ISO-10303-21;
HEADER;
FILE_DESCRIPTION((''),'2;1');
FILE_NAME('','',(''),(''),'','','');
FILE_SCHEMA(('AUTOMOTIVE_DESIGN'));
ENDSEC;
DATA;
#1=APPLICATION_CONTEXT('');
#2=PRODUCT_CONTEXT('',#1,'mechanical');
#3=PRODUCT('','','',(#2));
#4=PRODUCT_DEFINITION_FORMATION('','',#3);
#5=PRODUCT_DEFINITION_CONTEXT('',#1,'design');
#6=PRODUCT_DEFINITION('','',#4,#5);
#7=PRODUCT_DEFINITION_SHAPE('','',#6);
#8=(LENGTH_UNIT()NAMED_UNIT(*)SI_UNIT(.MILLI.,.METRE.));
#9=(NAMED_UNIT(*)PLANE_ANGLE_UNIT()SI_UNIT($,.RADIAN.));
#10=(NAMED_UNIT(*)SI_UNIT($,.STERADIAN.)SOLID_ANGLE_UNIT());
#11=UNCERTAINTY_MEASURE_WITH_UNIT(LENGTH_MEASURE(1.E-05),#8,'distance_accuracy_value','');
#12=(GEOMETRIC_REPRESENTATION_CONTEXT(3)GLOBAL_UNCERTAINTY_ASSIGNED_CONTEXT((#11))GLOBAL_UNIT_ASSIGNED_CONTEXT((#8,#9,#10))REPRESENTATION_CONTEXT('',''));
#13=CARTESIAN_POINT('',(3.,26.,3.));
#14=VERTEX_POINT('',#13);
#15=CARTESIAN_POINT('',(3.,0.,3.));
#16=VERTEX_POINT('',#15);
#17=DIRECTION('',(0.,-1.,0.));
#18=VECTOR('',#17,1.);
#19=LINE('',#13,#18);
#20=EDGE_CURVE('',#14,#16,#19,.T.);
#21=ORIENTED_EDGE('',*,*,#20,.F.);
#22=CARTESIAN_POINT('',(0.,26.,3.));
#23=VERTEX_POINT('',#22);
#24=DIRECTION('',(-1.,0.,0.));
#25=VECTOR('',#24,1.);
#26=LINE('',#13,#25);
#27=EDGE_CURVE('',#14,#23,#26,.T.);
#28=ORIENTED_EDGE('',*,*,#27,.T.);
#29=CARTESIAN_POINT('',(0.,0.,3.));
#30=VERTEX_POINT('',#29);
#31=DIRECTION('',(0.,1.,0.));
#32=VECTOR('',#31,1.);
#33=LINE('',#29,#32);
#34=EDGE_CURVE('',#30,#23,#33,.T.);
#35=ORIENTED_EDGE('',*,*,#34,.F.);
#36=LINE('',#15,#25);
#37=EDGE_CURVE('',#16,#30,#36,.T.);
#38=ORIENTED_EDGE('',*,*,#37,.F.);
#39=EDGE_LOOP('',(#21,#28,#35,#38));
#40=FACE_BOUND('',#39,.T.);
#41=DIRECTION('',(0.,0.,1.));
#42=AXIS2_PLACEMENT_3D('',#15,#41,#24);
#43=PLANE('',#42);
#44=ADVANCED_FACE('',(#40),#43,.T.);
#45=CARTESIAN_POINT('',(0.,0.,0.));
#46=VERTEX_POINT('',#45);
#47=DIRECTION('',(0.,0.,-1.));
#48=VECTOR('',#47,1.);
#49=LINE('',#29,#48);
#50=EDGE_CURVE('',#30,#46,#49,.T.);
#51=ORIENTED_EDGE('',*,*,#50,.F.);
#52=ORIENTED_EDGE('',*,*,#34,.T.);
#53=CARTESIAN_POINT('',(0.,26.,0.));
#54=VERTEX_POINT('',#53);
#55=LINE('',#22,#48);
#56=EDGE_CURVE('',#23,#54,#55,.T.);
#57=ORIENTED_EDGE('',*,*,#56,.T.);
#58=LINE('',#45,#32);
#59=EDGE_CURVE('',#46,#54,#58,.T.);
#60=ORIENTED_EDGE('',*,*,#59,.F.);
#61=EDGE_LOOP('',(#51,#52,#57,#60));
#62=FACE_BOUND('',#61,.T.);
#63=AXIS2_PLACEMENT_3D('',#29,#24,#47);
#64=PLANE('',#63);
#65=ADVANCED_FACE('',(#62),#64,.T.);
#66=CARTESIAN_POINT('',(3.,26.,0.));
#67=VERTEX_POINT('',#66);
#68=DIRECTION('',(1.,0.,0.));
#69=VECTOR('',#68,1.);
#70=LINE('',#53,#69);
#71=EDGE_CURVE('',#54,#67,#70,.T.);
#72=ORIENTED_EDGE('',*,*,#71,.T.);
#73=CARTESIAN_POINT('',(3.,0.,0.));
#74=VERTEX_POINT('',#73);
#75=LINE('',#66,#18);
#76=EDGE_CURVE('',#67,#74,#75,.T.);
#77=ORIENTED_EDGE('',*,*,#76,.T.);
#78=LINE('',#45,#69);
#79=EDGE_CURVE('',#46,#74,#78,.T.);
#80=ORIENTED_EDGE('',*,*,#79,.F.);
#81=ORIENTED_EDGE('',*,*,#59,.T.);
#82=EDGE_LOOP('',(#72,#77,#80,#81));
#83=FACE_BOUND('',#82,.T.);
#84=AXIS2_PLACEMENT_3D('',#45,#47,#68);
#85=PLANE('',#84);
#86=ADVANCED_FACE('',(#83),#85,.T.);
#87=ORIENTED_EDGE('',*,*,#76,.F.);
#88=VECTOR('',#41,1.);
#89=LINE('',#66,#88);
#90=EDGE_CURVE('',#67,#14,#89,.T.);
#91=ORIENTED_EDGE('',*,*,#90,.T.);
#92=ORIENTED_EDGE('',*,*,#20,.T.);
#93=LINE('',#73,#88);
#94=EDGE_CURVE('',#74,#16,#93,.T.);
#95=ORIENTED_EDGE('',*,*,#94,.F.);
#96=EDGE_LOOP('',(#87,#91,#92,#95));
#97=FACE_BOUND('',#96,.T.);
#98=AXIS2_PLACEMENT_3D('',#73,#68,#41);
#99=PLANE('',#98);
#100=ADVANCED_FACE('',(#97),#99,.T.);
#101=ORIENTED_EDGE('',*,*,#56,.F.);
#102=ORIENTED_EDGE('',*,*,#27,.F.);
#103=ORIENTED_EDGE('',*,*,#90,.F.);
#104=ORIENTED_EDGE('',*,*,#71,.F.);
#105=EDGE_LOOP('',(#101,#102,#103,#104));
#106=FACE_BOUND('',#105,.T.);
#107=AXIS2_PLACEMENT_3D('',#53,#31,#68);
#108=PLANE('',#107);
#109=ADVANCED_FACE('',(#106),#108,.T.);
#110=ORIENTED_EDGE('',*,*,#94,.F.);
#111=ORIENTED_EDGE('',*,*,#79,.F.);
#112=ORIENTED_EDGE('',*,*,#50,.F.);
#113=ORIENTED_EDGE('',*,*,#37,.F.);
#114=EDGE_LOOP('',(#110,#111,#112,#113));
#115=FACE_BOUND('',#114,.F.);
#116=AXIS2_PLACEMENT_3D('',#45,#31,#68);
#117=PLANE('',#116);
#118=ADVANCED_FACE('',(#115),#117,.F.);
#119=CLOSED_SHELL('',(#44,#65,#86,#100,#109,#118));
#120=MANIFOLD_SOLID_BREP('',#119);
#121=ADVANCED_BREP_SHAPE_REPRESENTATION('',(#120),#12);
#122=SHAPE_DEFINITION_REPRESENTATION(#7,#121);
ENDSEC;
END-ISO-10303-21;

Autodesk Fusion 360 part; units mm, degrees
sketch "Sketch1" plane through (0, 0, 0) normal (0, 1, 0) x (1, 0, 0)
  line L0 (0, 0) -> (3, 0)
  line L1 (3, 0) -> (3, -3)
  line L2 (3, -3) -> (0, -3)
  line L3 (0, -3) -> (0, 0)
  dimension "d1" = 3
  dimension "d2" = 3
extrude "Extrude1" add sketch "Sketch1" along normal blind 20
extrude "Extrude2" add 1 faces at (2, 20, 2) along direction (0, 1, 0) blind 6
